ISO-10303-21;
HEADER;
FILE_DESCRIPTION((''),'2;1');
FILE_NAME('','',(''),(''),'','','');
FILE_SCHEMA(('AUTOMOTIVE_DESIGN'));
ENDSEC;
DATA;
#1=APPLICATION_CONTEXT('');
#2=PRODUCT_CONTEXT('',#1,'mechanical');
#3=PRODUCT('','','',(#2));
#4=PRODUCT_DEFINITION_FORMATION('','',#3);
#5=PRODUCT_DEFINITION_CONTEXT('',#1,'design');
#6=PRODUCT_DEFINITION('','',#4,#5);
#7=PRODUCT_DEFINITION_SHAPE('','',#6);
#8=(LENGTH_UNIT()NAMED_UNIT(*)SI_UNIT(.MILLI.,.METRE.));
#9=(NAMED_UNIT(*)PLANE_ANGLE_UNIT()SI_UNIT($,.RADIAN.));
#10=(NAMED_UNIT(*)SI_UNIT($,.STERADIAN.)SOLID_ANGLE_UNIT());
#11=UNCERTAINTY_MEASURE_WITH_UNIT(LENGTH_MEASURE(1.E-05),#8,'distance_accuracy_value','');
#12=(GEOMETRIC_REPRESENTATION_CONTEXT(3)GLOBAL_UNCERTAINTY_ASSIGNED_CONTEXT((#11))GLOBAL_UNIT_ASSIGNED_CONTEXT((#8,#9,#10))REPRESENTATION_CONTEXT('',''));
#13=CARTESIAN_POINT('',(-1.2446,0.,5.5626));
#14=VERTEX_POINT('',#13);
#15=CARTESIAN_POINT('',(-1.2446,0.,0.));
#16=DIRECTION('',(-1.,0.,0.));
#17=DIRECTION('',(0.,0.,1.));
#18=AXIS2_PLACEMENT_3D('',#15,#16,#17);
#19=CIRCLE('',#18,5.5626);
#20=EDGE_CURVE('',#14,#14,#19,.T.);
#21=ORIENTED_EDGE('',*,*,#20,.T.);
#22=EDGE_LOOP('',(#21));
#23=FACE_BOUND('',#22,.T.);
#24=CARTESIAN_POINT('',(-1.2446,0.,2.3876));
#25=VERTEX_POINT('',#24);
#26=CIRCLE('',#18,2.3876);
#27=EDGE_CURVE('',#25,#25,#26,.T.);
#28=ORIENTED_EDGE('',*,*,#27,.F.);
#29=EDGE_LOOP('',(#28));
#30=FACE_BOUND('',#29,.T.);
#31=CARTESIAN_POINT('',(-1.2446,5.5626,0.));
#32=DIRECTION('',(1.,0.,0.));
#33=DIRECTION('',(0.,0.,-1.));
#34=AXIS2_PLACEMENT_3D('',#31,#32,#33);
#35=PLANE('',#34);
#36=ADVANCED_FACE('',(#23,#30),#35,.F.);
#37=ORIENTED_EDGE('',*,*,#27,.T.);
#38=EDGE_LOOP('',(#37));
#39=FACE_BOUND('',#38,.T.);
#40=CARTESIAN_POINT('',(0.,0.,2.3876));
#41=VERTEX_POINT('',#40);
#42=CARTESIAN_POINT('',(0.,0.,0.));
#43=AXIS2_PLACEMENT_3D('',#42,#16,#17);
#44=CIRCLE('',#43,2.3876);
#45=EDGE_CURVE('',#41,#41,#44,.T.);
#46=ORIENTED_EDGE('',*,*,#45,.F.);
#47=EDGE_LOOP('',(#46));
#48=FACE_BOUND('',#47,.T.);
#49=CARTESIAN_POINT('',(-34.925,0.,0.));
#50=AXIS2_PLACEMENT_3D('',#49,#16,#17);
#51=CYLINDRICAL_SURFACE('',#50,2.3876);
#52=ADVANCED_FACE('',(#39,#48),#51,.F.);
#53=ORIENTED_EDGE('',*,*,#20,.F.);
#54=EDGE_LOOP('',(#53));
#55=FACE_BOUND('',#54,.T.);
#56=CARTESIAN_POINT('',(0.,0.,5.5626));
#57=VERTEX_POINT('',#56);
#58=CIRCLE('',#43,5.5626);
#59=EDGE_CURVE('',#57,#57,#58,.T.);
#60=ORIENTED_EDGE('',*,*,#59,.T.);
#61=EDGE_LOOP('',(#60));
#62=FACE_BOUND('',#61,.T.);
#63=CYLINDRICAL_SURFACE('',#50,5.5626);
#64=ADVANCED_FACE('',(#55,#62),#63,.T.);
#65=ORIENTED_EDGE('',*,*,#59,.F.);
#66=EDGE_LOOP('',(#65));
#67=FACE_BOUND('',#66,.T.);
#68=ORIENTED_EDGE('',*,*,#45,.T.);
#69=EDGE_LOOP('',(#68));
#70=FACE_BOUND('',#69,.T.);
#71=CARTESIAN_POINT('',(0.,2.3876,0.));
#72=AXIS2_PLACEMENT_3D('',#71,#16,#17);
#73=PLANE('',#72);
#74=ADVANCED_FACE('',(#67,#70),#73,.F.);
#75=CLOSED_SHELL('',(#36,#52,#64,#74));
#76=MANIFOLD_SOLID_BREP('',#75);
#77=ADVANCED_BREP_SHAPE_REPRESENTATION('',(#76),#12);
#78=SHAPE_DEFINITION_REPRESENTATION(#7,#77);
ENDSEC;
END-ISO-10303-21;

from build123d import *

# Parameters (mm, degrees)
SKETCH1_W = 1.2446
SKETCH1_H = 3.175


with BuildPart() as part:
    # Sketch1 → Base-Revolve (revolve)
    with BuildSketch(Plane.XY, mode=Mode.PRIVATE) as base_revolve_sk:
        with Locations((-0.6223, 3.9751)):
            Rectangle(SKETCH1_W, SKETCH1_H)
    revolve(base_revolve_sk.sketch.rotate(Axis((-34.925, 0, 0), (1, 0, 0)), 90), axis=Axis((-34.925, 0, 0), (1, 0, 0)))


solid = part.part
